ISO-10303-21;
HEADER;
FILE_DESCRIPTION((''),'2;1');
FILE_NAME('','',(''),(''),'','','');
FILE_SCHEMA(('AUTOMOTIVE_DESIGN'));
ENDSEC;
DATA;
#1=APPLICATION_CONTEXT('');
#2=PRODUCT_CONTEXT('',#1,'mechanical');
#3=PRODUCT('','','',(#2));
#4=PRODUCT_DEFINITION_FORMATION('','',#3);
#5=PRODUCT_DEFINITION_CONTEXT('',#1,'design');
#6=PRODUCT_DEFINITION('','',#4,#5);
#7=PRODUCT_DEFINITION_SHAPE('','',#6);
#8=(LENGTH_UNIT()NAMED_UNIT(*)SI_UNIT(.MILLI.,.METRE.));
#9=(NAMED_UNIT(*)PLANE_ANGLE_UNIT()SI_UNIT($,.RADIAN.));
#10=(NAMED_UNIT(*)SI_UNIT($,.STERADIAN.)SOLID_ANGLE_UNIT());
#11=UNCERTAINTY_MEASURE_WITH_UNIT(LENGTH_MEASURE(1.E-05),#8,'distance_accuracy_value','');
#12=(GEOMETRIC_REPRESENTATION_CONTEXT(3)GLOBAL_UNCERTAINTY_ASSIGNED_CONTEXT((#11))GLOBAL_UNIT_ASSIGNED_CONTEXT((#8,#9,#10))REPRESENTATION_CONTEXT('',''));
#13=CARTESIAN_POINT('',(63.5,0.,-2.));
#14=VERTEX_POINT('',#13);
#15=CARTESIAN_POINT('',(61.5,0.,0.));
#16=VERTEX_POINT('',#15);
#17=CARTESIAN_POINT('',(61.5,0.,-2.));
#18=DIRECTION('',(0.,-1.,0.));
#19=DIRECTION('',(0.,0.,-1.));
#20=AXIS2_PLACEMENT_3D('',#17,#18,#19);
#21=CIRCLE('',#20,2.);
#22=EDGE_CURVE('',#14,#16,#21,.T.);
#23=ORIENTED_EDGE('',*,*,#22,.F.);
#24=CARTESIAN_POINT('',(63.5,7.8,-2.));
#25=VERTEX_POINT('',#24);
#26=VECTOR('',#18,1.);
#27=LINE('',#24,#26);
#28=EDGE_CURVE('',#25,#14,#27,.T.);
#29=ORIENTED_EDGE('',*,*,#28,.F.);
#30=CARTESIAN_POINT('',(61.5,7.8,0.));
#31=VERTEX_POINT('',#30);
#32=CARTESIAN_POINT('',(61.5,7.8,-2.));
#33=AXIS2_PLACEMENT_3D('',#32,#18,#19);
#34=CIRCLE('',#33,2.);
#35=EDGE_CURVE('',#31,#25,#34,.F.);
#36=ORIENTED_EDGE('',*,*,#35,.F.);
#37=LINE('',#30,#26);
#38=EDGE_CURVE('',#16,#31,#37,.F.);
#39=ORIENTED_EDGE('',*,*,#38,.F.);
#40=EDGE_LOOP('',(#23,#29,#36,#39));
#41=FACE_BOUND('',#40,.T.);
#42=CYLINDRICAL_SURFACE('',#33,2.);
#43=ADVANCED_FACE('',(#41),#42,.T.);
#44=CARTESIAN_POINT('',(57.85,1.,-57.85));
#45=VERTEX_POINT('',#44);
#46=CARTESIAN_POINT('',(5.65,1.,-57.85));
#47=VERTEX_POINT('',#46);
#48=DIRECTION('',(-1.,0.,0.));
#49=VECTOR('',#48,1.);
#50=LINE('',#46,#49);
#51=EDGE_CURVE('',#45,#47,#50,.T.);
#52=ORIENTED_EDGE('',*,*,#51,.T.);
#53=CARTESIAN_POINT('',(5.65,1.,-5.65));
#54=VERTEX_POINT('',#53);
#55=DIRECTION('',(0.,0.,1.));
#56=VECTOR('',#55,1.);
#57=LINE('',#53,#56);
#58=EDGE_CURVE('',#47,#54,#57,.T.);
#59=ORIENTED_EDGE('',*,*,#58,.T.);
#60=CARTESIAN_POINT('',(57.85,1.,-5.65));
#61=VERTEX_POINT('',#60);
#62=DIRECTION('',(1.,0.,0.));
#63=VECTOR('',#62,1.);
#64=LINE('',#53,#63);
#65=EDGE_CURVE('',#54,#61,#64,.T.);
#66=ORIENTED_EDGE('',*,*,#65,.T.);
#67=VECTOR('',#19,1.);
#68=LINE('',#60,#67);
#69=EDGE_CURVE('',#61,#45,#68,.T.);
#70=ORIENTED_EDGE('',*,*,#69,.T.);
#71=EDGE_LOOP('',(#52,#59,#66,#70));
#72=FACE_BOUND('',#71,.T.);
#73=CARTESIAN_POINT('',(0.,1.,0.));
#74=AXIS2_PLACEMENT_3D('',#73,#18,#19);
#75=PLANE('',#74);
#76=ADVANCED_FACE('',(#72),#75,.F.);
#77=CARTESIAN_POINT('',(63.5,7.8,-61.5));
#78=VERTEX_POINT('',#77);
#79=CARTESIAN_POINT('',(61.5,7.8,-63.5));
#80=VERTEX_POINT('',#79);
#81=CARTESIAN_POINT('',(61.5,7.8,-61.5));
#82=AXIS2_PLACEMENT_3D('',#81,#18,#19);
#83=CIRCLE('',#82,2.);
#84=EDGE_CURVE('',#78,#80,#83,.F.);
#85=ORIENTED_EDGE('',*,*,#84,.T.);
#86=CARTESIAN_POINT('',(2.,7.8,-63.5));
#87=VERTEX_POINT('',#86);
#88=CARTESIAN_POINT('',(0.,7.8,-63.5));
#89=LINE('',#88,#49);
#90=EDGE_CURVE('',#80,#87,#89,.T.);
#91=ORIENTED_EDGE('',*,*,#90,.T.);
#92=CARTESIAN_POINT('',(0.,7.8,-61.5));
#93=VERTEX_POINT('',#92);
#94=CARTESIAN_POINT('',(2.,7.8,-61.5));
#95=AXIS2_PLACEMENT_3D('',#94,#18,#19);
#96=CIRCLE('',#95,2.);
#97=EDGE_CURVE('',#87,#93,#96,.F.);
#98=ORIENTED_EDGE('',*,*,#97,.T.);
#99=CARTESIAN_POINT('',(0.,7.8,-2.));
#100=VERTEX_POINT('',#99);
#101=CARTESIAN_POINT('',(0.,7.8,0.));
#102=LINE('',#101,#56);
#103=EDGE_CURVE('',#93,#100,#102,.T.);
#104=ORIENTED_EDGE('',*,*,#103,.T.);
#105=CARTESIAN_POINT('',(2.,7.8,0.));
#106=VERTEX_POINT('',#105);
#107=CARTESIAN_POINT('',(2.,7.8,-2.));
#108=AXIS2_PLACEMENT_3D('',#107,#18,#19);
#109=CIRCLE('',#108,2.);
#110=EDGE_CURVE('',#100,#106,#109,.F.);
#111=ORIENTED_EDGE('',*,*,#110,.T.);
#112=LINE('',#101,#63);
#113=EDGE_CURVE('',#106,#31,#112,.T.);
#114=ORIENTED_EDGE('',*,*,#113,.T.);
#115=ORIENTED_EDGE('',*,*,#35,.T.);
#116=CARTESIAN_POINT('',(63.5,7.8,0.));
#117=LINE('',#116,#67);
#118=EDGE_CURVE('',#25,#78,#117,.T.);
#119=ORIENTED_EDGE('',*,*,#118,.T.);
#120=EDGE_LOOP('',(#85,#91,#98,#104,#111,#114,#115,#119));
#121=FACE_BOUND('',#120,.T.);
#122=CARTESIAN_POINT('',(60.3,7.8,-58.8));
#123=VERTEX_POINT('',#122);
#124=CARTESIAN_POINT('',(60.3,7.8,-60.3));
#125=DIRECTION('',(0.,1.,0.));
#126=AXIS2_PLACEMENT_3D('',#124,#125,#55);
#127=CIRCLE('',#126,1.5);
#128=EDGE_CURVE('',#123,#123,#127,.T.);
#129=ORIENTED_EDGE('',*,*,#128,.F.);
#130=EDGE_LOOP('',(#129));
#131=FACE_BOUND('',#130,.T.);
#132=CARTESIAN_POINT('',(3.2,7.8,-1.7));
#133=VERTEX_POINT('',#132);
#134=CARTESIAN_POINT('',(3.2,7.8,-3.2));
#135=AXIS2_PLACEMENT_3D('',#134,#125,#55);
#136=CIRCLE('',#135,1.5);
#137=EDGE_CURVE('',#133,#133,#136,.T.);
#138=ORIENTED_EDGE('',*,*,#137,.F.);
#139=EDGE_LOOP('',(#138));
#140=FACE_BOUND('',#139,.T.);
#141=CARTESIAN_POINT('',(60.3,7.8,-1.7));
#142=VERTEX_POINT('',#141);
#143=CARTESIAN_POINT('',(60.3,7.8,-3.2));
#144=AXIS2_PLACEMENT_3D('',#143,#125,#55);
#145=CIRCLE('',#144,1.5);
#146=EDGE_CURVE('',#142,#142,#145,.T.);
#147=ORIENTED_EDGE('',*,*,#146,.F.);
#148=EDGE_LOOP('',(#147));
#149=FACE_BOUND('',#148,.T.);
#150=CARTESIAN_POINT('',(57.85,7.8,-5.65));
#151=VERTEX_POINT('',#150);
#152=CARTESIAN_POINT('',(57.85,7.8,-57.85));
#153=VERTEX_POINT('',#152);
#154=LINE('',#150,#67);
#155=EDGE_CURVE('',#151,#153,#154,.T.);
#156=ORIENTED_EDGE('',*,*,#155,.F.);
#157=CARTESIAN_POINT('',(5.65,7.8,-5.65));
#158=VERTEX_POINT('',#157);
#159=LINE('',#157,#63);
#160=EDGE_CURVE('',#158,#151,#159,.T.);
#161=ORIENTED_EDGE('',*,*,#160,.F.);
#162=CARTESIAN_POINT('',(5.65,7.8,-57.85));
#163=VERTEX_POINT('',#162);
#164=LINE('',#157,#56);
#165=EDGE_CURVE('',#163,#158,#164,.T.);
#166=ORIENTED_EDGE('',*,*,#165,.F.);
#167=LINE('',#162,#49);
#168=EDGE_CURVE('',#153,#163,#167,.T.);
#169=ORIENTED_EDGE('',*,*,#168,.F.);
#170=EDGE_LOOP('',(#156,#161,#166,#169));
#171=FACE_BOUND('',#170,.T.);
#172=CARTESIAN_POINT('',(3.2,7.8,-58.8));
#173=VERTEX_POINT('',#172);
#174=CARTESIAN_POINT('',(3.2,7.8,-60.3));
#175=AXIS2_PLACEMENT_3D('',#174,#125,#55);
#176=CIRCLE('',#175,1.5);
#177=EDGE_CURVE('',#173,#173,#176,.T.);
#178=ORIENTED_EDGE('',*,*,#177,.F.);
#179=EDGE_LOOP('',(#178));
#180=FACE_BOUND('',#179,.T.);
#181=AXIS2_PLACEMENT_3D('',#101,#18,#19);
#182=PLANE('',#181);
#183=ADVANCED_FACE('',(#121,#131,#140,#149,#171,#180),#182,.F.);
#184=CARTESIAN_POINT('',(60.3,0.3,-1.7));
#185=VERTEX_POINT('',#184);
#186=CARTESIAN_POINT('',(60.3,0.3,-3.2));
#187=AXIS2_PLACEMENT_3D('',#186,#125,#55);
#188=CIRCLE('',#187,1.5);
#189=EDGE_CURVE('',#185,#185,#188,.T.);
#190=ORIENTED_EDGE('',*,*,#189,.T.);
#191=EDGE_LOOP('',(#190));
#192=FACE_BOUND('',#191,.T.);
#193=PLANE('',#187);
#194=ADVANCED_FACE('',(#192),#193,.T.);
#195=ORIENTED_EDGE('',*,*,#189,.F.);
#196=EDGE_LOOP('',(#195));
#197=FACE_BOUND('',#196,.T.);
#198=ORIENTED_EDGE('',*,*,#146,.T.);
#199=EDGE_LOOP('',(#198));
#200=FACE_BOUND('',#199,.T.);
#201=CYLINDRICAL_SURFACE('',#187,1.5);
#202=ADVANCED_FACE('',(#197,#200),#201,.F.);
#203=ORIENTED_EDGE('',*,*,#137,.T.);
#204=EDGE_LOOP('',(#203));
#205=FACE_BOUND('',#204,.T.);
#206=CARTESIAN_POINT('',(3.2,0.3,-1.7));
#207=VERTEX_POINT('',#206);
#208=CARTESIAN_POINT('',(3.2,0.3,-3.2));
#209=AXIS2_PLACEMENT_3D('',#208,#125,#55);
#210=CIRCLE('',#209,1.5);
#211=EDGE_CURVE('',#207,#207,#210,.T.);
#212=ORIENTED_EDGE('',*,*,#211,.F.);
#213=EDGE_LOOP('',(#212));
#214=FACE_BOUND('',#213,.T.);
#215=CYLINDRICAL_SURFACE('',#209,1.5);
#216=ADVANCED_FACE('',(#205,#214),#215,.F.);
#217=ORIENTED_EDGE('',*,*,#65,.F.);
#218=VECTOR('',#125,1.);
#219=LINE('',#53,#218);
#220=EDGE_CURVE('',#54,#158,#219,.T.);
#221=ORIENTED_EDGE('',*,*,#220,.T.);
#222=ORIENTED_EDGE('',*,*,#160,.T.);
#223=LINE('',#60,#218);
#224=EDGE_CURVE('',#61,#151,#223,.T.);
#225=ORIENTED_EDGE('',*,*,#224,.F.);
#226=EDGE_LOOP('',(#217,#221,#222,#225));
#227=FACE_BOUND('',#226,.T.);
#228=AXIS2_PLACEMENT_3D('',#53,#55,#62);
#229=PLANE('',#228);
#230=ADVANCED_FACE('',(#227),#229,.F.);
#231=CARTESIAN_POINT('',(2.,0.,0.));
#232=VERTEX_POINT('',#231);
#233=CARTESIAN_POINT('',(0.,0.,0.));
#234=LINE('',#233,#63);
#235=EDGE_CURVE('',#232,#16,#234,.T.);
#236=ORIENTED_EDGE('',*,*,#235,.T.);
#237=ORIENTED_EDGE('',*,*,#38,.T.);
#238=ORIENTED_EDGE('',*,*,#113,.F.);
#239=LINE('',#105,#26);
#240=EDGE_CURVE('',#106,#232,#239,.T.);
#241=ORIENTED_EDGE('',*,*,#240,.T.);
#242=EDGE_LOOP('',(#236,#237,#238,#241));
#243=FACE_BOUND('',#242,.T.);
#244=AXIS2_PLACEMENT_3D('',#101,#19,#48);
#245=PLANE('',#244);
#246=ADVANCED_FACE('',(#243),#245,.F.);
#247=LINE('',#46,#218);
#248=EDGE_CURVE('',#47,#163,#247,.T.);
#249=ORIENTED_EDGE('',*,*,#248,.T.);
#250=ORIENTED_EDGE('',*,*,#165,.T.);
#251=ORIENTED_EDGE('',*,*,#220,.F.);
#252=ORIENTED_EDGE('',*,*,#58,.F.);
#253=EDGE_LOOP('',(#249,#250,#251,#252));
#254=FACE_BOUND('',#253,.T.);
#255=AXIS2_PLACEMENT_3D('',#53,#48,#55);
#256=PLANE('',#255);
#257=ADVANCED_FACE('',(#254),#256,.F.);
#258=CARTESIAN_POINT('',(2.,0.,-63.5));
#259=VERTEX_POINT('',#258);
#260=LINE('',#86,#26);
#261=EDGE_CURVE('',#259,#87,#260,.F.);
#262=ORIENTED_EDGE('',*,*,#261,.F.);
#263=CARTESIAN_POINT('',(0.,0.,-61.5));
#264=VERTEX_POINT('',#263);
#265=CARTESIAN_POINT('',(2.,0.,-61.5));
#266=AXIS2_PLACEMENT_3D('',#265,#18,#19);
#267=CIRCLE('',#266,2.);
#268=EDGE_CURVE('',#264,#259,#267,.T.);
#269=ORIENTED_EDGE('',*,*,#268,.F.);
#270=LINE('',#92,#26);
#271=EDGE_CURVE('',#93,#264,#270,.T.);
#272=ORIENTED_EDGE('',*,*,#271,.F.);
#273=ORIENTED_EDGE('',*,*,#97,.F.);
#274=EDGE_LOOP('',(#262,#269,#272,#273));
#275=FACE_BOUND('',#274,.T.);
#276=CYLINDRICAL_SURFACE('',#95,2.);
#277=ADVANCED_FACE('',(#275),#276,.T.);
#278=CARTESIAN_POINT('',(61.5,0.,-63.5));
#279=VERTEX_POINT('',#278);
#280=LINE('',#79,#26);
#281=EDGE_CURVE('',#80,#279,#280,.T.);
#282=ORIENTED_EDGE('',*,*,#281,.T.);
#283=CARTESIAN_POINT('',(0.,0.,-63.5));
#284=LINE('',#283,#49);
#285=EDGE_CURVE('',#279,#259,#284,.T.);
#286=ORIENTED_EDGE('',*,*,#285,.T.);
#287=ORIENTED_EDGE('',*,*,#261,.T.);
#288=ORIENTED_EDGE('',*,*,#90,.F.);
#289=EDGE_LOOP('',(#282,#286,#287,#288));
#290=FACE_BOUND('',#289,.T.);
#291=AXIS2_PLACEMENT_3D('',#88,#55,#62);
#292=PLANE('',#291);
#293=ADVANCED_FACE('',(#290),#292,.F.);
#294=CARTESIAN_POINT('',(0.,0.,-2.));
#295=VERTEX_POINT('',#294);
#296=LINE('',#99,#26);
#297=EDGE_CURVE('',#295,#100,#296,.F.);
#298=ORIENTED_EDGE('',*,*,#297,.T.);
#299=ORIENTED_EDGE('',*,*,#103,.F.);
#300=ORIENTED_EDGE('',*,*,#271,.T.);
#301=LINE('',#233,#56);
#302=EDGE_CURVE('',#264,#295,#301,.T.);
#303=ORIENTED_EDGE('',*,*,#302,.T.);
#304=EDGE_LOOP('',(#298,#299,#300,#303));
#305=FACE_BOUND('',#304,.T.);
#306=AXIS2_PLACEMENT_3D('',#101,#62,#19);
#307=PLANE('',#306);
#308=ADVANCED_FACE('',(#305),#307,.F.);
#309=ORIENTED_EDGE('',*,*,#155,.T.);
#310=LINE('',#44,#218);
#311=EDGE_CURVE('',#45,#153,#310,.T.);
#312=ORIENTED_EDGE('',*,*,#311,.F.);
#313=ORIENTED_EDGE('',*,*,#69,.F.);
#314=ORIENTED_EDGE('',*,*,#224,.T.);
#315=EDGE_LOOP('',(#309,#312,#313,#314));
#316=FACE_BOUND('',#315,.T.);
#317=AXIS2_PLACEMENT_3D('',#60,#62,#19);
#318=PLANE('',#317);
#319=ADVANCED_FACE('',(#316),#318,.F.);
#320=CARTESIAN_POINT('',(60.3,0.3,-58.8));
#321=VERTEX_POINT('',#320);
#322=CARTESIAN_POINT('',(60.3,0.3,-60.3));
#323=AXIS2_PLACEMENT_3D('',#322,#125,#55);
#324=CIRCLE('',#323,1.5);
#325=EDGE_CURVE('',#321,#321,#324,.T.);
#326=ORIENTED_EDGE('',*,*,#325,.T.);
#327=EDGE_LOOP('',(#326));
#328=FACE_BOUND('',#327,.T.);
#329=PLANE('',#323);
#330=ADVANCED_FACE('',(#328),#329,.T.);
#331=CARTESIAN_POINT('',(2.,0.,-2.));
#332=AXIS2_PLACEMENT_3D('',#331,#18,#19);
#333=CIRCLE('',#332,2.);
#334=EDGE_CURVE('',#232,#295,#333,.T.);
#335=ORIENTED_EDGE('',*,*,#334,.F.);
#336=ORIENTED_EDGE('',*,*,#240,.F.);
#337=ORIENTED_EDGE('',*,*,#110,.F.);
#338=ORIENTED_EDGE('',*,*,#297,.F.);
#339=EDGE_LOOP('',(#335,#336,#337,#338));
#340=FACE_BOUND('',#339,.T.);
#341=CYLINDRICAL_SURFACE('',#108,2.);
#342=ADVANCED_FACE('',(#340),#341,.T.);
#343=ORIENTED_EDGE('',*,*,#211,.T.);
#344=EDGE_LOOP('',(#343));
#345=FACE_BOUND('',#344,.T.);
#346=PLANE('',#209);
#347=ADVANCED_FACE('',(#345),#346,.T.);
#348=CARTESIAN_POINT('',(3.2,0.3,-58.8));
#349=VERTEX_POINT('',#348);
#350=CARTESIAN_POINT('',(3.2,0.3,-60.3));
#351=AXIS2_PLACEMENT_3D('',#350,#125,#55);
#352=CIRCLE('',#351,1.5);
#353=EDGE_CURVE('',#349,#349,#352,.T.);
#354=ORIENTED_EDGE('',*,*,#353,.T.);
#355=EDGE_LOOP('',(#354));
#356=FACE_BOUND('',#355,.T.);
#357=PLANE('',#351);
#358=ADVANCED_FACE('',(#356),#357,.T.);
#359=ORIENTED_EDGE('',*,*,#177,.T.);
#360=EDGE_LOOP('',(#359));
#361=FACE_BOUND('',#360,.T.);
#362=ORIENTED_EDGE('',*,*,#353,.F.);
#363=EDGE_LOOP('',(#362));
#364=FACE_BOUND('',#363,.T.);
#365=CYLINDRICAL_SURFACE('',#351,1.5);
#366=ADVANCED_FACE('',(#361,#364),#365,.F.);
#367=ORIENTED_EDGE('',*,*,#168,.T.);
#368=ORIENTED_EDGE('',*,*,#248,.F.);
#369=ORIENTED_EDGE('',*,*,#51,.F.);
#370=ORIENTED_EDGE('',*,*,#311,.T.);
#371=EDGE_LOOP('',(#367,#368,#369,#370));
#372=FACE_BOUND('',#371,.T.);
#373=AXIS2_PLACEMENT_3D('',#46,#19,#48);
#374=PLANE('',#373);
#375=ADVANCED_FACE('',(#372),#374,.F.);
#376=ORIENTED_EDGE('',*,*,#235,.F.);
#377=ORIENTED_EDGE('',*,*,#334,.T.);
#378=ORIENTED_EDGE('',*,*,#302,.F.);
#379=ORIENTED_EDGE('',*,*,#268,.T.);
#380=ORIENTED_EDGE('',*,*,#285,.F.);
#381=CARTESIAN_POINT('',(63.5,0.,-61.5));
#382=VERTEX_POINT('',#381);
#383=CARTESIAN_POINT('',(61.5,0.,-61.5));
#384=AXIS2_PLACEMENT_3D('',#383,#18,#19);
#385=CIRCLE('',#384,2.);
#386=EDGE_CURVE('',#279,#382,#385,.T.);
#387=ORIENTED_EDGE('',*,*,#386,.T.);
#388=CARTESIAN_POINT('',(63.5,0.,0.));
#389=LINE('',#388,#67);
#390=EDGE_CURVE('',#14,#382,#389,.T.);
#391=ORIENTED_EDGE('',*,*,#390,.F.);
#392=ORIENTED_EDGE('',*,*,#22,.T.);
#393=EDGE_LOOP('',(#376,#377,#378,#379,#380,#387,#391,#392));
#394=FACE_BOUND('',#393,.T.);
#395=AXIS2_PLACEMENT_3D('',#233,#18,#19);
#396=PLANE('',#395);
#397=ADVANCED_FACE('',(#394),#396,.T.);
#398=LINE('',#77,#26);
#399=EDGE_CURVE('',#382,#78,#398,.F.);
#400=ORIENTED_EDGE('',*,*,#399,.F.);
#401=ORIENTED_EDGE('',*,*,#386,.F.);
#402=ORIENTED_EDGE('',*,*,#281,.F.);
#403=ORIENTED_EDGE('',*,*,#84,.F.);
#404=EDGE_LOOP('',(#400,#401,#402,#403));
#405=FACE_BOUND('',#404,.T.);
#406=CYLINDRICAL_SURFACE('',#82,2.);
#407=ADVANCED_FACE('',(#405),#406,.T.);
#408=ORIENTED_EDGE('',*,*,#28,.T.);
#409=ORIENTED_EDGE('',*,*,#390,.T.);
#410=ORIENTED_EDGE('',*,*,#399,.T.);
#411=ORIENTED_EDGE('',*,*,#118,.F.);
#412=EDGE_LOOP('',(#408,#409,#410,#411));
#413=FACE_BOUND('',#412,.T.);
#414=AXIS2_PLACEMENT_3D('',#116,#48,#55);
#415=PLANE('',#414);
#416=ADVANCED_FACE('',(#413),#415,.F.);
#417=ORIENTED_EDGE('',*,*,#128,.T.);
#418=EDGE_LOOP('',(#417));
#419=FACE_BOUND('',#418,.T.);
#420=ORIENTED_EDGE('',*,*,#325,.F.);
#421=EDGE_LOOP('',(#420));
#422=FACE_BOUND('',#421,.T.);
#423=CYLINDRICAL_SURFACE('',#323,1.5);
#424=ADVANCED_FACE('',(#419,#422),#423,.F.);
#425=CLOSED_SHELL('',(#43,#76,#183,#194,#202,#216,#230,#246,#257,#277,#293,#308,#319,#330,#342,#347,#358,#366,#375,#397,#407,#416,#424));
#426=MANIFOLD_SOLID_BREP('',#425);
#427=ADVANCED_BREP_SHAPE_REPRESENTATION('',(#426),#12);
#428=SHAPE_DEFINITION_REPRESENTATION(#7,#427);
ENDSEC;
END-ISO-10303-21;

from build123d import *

# Parameters (mm, degrees)
SKETCH1_W           = 63.5
SKETCH1_H           = 63.5
BOSS_EXTRUDE1_DEPTH = 7.8
SKETCH2_W           = 52.2
SKETCH2_H           = 52.2
CUT_EXTRUDE1_DEPTH  = 6.8
SKETCH3_R           = 1.5
CUT_EXTRUDE2_DEPTH  = 7.5
FILLET1_R           = 2


with BuildPart() as part:
    # Sketch1 → Boss-Extrude1 (new body)
    with BuildSketch(Plane(origin=(0, 0, 0), x_dir=(1, 0, 0), z_dir=(0, 1, 0))):
        with Locations((31.75, 31.75)):
            Rectangle(SKETCH1_W, SKETCH1_H)
    extrude(amount=BOSS_EXTRUDE1_DEPTH)

    # Sketch2 → Cut-Extrude1 (cut)
    with BuildSketch(Plane(origin=(0, 7.8, 0), x_dir=(1, 0, 0), z_dir=(0, 1, 0))):
        with Locations((31.75, 31.75)):
            Rectangle(SKETCH2_W, SKETCH2_H)
    extrude(amount=-CUT_EXTRUDE1_DEPTH, mode=Mode.SUBTRACT)

    # Sketch3 → Cut-Extrude2 (cut)
    with BuildSketch(Plane(origin=(0, 7.8, 0), x_dir=(1, 0, 0), z_dir=(0, 1, 0))):
        with Locations(Location((3.2, 3.2, 0), (0, 0, 270))):
            Circle(SKETCH3_R)
        with Locations(Location((3.2, 60.3, 0), (0, 0, 270))):
            Circle(SKETCH3_R)
        with Locations(Location((60.3, 60.3, 0), (0, 0, 270))):
            Circle(SKETCH3_R)
        with Locations(Location((60.3, 3.2, 0), (0, 0, 270))):
            Circle(SKETCH3_R)
    extrude(amount=-CUT_EXTRUDE2_DEPTH, mode=Mode.SUBTRACT)

    # Fillet1
    fillet1_edges = [part.edges().sort_by_distance(p)[0] for p in [
        (0, 3.9, -63.5),
        (63.5, 3.9, -63.5),
        (63.5, 3.9, 0),
        (0, 3.9, 0),
    ]]
    fillet(fillet1_edges, radius=FILLET1_R)


solid = part.part
